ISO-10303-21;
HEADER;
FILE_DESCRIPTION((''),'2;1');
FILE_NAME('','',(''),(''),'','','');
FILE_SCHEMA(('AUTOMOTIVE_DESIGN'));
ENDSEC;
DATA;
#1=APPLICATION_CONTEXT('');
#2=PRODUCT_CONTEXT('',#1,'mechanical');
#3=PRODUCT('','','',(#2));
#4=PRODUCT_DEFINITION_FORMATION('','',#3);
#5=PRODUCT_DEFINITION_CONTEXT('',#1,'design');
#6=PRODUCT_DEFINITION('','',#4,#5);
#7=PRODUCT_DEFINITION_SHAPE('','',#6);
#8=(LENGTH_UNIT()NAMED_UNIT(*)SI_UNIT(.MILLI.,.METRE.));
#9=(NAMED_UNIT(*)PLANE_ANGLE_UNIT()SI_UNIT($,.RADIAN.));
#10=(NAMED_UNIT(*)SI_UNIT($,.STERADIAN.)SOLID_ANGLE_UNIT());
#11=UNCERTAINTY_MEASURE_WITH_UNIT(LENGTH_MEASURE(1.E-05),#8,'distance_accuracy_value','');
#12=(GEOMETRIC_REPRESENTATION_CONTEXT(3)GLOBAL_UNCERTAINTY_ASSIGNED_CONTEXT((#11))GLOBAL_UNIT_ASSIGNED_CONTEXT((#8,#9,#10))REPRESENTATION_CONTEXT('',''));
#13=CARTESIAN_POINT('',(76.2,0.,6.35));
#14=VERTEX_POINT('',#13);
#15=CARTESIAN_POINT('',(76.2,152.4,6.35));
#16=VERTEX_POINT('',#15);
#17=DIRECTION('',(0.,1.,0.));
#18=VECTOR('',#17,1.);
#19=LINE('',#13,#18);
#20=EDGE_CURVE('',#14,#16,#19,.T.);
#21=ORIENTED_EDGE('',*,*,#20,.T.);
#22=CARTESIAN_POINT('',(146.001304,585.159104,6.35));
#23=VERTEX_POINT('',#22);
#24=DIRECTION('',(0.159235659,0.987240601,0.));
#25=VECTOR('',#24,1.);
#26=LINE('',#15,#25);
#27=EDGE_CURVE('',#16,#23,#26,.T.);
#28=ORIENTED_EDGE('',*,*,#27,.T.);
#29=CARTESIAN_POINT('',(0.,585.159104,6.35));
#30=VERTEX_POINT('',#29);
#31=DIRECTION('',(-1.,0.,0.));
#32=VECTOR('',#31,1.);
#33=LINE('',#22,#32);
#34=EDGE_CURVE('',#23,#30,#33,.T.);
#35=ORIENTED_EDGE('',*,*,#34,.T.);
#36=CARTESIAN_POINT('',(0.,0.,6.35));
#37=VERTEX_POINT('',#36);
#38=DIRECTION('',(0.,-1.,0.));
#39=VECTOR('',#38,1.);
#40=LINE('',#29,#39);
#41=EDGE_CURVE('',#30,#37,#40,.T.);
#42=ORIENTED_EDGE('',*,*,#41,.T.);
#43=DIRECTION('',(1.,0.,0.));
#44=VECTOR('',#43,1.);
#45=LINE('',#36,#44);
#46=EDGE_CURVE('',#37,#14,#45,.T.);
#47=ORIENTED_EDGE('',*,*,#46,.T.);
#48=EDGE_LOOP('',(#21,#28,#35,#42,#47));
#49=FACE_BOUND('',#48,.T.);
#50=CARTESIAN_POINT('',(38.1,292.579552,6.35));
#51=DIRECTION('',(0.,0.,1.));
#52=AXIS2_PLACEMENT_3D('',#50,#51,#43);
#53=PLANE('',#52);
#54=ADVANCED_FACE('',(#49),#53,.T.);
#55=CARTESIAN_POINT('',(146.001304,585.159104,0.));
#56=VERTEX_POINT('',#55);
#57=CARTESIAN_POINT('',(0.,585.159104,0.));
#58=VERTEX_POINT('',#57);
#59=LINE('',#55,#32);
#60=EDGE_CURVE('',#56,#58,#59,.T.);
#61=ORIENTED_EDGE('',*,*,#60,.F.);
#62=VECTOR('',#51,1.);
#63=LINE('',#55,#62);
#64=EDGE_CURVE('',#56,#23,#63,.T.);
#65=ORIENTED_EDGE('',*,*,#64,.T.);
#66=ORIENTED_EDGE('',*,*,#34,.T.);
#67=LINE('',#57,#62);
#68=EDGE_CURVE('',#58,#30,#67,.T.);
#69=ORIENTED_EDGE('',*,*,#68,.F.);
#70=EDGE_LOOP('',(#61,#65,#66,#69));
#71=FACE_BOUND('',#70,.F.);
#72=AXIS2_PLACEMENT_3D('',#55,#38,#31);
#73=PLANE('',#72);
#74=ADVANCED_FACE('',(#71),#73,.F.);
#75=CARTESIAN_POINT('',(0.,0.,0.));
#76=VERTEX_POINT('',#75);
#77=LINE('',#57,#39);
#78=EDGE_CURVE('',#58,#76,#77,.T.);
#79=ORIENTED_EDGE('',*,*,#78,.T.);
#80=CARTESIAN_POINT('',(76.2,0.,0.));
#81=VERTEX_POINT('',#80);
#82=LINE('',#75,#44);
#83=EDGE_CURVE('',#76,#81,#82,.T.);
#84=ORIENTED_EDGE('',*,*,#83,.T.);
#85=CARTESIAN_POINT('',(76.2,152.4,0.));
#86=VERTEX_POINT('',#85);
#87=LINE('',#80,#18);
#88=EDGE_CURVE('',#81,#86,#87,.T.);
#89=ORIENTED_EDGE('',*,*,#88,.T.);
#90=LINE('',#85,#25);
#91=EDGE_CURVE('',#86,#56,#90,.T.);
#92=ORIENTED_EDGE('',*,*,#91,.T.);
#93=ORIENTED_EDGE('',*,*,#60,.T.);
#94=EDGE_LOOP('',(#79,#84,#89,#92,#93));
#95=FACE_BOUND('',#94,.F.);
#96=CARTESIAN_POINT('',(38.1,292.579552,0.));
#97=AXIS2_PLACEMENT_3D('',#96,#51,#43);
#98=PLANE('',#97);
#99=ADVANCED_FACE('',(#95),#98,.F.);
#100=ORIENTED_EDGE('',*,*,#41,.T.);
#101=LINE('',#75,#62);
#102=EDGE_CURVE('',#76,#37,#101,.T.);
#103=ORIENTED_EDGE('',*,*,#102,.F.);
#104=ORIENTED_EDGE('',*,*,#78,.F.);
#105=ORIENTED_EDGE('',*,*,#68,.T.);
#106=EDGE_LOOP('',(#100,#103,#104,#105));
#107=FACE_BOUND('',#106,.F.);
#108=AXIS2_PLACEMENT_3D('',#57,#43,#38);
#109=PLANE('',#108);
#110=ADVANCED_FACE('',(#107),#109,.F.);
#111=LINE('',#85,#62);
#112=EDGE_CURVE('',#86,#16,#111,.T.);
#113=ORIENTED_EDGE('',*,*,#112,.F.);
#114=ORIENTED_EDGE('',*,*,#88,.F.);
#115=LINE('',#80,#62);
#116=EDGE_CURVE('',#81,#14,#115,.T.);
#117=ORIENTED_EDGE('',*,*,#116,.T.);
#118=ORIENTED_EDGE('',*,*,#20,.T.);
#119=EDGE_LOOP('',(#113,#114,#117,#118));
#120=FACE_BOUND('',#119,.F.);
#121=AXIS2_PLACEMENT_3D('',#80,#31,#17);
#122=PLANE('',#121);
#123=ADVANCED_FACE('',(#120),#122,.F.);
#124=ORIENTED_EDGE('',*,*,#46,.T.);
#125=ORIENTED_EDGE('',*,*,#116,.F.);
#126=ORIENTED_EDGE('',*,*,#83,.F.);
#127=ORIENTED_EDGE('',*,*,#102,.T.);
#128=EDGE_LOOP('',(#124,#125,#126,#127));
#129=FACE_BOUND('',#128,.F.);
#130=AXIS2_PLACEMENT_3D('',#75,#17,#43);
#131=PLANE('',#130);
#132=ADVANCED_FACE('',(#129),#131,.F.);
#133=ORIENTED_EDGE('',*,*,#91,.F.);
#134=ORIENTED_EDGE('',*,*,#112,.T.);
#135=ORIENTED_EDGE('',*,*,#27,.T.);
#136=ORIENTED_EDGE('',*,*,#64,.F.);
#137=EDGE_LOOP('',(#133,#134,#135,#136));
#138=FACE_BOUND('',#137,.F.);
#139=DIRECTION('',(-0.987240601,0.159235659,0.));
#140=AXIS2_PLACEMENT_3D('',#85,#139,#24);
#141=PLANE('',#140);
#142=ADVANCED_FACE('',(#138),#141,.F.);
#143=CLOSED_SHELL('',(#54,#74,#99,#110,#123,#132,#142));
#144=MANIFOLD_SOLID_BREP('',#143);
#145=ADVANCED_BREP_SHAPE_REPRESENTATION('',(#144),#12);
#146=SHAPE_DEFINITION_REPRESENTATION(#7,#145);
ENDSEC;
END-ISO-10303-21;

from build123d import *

# Parameters (mm, degrees)
F1_DEPTH = 6.35


with BuildPart() as f1:
    # F0 (on Top) → F1 (new body)
    with BuildSketch(Plane.XY):
        Polygon((0, 152.4), (0, 0), (76.2, 0), (76.2, 152.4), (76.2, 585.159104), (0, 585.159104), align=None)
        Polygon((76.2, 585.159104), (76.2, 152.4), (146.001304, 585.159104), align=None)
    extrude(amount=F1_DEPTH)


solid = f1.part
